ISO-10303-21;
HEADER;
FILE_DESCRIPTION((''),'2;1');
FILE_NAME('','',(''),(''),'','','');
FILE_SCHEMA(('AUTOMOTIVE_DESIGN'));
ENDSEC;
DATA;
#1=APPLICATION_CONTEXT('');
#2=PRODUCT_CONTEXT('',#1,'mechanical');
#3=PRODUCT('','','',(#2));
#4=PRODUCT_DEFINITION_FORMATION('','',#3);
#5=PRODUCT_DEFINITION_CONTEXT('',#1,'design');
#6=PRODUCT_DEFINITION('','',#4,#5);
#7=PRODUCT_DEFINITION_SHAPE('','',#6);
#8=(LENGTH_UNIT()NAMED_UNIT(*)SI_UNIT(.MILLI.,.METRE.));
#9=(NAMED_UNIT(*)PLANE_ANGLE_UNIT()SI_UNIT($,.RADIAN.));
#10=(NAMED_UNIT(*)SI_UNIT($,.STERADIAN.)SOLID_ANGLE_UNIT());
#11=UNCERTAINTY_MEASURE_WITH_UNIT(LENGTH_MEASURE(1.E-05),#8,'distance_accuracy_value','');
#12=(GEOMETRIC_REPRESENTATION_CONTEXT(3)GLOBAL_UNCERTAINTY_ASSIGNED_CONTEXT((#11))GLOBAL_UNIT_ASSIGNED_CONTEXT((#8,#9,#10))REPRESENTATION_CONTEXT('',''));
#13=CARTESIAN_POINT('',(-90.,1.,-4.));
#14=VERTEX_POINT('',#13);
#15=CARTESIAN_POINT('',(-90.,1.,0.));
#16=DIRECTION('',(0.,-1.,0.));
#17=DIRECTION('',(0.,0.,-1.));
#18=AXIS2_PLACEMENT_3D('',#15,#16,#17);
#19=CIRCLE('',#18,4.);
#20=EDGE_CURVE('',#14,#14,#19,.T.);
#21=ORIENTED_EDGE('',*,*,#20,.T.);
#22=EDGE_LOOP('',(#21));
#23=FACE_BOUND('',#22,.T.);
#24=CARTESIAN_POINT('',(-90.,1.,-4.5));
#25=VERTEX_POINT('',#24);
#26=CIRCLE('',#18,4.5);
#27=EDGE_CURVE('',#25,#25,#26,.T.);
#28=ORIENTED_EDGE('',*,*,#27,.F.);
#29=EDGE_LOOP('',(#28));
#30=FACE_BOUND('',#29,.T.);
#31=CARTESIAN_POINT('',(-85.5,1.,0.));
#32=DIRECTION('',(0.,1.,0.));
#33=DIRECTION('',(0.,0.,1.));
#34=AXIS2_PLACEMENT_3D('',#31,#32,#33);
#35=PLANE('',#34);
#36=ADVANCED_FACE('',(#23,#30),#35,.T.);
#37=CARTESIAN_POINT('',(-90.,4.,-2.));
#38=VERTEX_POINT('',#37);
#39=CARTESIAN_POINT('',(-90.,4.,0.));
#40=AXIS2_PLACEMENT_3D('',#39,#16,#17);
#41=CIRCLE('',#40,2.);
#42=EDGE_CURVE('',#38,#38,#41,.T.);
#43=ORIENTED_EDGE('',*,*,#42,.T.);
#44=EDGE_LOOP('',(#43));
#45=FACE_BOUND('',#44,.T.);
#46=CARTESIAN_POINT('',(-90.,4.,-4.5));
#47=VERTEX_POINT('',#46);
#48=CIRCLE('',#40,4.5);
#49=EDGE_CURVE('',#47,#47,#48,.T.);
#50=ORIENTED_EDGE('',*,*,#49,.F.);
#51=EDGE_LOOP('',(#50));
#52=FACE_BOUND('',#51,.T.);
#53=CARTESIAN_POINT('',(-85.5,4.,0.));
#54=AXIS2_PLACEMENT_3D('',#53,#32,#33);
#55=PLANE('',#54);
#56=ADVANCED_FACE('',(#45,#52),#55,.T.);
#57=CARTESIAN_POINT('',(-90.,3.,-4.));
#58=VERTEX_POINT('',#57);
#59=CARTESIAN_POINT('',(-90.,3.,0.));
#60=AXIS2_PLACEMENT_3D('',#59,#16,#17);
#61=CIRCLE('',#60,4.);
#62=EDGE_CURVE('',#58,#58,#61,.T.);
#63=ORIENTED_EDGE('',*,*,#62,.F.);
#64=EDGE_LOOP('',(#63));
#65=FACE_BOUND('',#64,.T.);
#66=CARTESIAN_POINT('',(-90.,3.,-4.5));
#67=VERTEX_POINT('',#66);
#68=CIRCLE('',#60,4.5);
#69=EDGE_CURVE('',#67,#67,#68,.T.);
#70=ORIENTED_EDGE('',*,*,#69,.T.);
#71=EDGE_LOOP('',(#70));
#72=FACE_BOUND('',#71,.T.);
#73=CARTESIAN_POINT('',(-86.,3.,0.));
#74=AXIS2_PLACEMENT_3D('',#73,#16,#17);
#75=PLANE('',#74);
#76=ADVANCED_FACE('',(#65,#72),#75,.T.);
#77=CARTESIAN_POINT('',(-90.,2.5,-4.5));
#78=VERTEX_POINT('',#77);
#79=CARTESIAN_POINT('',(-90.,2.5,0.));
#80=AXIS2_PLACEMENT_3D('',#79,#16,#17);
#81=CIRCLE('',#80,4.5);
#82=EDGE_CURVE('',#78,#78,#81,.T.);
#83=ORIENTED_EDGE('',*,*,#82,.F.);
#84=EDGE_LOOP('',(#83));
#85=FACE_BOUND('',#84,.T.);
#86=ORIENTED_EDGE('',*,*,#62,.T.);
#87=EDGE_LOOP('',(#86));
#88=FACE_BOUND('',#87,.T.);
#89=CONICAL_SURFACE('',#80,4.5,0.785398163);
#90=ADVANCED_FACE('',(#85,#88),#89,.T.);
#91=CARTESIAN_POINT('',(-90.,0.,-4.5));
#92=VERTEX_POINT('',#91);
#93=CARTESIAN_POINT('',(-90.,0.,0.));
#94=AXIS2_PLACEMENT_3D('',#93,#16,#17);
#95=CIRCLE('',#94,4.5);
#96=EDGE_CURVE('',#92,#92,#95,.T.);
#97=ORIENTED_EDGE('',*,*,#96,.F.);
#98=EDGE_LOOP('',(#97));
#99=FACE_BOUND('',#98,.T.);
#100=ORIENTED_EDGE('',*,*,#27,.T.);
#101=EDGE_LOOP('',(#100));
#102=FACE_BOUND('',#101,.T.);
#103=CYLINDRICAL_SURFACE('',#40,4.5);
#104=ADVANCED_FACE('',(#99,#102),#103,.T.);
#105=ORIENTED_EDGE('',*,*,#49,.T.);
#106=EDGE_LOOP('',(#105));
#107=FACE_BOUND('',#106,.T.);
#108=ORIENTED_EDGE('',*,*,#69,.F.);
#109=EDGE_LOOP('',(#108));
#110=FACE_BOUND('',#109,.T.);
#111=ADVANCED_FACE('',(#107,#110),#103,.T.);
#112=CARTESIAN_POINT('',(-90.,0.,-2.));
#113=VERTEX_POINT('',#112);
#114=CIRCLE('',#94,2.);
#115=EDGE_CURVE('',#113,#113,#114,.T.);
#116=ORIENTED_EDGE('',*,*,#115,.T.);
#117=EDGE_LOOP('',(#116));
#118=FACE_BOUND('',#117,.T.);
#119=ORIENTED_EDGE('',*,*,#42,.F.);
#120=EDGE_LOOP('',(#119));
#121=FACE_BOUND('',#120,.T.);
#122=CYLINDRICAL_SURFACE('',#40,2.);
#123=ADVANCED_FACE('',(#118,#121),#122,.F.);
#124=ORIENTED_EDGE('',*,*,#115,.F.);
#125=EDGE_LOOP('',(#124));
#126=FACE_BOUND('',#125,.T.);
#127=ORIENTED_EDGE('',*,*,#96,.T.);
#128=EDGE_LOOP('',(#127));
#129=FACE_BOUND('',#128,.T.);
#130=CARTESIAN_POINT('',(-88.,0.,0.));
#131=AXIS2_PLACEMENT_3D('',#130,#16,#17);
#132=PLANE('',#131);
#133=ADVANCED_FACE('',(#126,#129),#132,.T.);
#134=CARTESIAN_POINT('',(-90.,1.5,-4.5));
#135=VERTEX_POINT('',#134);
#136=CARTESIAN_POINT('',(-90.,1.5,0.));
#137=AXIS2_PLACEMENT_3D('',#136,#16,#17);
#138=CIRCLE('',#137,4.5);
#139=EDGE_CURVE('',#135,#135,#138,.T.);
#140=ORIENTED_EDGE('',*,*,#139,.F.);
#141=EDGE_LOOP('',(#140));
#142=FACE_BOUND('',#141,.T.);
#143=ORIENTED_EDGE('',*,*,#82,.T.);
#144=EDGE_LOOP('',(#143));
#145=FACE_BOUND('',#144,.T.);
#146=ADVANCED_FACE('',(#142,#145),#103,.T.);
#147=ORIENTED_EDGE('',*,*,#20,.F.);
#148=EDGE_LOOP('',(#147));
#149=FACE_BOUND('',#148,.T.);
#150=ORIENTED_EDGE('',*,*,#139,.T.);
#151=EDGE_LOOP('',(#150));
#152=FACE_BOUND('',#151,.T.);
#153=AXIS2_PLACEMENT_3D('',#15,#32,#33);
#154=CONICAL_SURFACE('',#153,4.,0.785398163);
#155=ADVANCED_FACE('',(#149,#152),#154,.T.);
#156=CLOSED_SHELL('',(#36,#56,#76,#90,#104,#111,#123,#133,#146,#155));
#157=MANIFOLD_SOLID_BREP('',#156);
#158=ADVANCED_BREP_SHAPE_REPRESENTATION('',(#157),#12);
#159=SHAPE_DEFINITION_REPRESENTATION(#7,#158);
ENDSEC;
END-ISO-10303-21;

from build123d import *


with BuildPart() as part:
    # 草图1 → 旋转1 (revolve)
    with BuildSketch(Plane.XY):
        Polygon((-85.5, 4), (-88, 4), (-88, 0), (-85.5, 0), (-85.5, 1), (-86, 1), (-85.5, 1.5), (-85.5, 2.5), (-86, 3), (-85.5, 3), align=None)
    revolve(axis=Axis((-90, 4, 0), (0, -1, 0)))


solid = part.part
